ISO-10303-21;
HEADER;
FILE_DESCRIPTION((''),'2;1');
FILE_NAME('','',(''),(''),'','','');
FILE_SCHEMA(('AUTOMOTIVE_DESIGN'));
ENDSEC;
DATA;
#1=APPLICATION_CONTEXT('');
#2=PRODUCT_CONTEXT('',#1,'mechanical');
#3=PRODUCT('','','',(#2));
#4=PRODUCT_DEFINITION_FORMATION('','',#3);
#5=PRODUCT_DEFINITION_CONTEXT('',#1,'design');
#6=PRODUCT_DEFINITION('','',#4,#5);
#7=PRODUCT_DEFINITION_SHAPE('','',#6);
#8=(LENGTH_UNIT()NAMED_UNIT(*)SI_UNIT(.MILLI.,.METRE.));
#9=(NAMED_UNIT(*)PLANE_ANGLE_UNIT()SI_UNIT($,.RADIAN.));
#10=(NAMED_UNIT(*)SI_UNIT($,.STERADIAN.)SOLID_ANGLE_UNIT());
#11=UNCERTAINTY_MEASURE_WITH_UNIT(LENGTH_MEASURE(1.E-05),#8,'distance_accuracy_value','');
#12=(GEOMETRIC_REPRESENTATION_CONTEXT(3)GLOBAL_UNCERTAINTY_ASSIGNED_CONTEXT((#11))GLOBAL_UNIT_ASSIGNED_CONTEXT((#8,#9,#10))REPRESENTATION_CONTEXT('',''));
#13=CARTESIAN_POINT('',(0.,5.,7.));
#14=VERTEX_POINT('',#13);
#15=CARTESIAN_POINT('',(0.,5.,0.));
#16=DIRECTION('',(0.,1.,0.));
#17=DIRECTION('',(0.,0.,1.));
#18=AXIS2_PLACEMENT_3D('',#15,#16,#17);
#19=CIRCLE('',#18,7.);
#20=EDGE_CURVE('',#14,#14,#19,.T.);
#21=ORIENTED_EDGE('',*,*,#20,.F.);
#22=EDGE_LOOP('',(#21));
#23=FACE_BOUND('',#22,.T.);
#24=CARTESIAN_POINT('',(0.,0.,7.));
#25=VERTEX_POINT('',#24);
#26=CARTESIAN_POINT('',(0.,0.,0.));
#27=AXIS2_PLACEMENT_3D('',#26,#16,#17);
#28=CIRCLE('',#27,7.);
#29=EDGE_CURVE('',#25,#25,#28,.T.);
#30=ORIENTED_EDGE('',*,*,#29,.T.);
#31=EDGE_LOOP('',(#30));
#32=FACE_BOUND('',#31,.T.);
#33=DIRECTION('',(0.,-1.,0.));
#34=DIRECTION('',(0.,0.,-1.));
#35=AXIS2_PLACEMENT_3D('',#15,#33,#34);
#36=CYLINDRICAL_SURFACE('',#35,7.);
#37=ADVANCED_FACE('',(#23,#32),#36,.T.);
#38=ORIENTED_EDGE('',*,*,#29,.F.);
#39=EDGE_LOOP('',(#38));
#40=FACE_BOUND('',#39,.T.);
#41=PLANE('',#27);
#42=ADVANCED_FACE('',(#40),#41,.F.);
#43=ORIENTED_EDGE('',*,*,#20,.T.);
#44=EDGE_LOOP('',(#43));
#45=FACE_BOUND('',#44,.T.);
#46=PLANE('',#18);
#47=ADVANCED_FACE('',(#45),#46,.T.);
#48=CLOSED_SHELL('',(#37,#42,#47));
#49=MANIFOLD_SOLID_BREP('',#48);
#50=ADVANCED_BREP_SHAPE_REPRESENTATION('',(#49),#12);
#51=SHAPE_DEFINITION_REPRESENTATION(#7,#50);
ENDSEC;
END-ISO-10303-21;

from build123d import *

# Parameters (mm, degrees)
SKETCH_1_R      = 7
EXTRUDE_1_DEPTH = 5


with BuildPart() as part:
    # 草图1 → 凸台-拉伸1 (new body)
    with BuildSketch(Plane(origin=(0, 0, 0), x_dir=(1, 0, 0), z_dir=(0, 1, 0))):
        with Locations(Location((0, 0, 0), (0, 0, 270))):
            Circle(SKETCH_1_R)
    extrude(amount=EXTRUDE_1_DEPTH)


solid = part.part
